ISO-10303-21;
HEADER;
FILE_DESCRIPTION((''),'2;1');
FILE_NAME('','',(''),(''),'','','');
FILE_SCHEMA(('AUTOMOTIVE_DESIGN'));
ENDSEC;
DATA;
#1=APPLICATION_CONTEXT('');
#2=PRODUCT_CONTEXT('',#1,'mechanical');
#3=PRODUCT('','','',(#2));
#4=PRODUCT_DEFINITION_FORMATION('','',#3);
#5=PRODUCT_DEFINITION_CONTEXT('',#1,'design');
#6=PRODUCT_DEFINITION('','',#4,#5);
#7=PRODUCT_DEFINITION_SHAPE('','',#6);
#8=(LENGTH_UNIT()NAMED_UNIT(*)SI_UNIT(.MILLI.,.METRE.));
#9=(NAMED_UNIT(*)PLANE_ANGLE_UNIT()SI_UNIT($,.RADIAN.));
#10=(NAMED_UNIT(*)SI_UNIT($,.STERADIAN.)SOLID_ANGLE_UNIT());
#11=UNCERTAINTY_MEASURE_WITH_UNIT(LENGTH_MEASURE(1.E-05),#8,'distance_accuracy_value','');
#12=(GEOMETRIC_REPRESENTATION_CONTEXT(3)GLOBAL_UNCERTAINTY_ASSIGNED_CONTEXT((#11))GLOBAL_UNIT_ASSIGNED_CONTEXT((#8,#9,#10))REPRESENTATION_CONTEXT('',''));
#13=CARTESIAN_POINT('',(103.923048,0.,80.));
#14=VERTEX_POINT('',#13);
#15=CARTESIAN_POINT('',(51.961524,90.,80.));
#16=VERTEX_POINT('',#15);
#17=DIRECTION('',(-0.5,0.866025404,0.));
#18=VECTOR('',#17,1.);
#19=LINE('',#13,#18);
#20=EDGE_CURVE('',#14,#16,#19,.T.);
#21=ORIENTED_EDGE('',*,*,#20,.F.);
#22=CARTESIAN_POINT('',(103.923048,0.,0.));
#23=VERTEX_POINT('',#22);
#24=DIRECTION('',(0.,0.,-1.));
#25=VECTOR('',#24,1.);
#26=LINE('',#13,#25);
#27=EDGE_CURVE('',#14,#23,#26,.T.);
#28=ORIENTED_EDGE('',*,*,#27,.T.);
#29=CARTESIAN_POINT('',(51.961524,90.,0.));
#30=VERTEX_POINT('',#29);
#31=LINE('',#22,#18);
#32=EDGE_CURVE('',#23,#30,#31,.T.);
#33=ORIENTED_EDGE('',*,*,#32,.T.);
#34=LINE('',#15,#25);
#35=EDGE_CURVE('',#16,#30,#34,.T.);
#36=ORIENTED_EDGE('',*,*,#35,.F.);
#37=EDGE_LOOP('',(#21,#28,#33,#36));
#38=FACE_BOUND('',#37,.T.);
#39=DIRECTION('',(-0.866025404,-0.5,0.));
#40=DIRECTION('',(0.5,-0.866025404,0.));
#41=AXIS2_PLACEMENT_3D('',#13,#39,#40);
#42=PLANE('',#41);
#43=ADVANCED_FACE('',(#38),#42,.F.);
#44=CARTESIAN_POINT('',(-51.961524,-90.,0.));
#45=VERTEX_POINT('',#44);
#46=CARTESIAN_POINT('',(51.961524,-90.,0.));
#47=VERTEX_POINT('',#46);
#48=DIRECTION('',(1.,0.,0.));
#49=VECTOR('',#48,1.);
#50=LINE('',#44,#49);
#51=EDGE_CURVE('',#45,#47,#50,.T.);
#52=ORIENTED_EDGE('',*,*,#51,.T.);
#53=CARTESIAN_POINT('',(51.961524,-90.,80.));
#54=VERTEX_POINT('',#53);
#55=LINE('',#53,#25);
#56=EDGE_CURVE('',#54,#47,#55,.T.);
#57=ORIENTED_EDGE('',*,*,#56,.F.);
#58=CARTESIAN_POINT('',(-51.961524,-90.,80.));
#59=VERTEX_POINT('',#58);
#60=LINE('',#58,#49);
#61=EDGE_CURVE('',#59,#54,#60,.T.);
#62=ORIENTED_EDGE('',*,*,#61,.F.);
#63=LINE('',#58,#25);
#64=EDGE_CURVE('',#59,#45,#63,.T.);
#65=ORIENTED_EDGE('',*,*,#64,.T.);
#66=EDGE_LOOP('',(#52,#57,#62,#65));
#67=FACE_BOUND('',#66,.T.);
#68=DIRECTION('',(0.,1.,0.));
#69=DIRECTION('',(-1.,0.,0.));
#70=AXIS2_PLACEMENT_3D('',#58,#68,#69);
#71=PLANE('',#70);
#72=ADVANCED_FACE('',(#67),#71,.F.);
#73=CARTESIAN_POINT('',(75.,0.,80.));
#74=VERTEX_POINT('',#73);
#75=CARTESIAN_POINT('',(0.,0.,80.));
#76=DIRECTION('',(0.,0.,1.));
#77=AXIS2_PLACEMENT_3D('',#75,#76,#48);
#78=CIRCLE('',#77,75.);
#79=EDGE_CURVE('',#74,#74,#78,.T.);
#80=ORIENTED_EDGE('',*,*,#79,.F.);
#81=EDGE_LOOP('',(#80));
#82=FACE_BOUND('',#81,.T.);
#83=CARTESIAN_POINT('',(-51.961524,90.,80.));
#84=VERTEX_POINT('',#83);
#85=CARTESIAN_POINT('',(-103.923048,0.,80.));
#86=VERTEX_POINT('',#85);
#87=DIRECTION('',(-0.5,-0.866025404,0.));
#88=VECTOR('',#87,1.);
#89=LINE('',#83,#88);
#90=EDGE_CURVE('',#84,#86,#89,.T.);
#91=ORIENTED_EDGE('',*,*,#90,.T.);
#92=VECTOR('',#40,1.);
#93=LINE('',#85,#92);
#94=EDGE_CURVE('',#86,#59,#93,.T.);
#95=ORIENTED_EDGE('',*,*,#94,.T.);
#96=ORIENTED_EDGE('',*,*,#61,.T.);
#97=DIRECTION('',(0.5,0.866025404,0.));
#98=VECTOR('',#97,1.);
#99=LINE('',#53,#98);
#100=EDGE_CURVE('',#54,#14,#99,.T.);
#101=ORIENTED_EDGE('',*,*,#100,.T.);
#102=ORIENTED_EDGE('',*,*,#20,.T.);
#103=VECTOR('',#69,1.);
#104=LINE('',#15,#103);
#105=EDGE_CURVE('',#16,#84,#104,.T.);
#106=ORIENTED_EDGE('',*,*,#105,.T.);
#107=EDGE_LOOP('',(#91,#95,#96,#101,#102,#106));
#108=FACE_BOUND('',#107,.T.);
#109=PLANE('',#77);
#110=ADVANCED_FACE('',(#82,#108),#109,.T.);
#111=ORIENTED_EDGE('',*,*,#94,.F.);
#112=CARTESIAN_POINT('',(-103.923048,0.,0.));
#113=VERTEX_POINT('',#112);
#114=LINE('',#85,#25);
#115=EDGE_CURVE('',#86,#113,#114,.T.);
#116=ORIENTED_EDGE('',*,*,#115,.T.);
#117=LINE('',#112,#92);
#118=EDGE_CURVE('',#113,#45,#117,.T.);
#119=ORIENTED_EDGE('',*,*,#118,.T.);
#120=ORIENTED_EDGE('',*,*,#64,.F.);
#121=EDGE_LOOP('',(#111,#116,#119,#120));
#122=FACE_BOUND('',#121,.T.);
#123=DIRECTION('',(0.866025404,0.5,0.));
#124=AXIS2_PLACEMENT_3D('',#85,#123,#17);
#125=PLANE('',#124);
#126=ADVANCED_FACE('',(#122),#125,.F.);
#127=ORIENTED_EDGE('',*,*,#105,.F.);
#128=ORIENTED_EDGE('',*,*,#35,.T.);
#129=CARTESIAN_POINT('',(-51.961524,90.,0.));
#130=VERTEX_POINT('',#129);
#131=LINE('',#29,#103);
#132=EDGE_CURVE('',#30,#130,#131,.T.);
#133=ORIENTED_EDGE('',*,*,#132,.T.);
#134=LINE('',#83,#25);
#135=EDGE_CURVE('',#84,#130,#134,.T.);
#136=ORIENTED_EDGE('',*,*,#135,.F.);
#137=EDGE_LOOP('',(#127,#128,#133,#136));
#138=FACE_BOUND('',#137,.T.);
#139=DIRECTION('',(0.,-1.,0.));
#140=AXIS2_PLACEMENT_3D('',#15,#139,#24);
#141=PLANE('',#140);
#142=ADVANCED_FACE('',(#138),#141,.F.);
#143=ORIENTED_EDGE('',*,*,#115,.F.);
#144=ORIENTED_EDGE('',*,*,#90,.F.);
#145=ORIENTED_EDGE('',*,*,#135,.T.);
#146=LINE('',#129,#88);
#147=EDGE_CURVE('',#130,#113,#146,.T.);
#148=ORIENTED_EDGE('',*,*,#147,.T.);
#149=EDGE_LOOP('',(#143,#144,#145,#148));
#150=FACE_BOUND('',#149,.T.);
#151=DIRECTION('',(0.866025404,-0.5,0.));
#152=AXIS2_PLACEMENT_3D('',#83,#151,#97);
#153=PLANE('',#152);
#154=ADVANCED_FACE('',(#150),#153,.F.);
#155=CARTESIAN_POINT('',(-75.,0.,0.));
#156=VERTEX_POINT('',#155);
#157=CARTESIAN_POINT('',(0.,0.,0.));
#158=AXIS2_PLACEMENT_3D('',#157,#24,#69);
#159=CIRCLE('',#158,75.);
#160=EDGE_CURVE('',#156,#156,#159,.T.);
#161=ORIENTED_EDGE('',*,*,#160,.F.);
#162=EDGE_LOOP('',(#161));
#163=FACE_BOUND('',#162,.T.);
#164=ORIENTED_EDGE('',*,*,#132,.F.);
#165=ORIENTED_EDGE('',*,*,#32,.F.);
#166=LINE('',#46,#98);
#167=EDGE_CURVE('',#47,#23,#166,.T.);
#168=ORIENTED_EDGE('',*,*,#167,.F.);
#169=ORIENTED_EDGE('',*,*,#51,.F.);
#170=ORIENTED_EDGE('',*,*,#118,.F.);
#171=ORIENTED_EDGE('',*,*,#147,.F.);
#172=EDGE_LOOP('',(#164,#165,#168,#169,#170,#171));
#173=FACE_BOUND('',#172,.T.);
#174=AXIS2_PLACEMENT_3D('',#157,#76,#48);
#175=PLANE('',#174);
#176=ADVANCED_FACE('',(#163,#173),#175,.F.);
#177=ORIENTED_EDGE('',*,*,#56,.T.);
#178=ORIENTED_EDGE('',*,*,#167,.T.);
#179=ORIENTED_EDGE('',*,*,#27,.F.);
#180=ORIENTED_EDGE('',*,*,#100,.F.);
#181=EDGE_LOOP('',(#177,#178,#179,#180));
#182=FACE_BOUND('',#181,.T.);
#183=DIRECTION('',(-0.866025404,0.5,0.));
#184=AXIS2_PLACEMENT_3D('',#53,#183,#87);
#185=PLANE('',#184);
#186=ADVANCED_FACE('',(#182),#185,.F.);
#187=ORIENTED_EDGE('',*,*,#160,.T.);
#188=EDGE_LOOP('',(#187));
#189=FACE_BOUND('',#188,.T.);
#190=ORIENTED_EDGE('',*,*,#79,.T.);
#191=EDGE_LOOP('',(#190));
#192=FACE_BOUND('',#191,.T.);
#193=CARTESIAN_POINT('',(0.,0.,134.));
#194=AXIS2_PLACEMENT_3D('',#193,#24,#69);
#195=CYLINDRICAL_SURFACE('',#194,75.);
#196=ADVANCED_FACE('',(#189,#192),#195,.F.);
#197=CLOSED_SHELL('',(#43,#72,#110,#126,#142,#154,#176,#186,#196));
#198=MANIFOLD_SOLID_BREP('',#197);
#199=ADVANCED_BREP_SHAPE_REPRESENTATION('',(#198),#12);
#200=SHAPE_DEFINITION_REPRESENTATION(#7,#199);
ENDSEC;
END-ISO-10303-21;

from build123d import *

# Parameters (mm, degrees)
Y_KSEKLIK_EKSTR_ZYON1_DEPTH = 80
IZIM3_R                     = 75
KES_EKSTR_ZYON1_DEPTH       = 134


with BuildPart() as part:
    # Çizim1 → Yükseklik-Ekstrüzyon1 (new body)
    with BuildSketch(Plane.XY):
        Polygon((103.923048454, 0), (51.961524227, 90), (-51.961524227, 90), (-103.923048454, 0), (-51.961524227, -90), (51.961524227, -90), align=None)
    extrude(amount=Y_KSEKLIK_EKSTR_ZYON1_DEPTH)

    # Çizim3 → Kes-Ekstrüzyon1 (cut)
    with BuildSketch(Plane(origin=(0, 0, 0), x_dir=(-1, 0, 0), z_dir=(0, 0, -1))):
        Circle(IZIM3_R)
    extrude(amount=-KES_EKSTR_ZYON1_DEPTH, mode=Mode.SUBTRACT)


solid = part.part
